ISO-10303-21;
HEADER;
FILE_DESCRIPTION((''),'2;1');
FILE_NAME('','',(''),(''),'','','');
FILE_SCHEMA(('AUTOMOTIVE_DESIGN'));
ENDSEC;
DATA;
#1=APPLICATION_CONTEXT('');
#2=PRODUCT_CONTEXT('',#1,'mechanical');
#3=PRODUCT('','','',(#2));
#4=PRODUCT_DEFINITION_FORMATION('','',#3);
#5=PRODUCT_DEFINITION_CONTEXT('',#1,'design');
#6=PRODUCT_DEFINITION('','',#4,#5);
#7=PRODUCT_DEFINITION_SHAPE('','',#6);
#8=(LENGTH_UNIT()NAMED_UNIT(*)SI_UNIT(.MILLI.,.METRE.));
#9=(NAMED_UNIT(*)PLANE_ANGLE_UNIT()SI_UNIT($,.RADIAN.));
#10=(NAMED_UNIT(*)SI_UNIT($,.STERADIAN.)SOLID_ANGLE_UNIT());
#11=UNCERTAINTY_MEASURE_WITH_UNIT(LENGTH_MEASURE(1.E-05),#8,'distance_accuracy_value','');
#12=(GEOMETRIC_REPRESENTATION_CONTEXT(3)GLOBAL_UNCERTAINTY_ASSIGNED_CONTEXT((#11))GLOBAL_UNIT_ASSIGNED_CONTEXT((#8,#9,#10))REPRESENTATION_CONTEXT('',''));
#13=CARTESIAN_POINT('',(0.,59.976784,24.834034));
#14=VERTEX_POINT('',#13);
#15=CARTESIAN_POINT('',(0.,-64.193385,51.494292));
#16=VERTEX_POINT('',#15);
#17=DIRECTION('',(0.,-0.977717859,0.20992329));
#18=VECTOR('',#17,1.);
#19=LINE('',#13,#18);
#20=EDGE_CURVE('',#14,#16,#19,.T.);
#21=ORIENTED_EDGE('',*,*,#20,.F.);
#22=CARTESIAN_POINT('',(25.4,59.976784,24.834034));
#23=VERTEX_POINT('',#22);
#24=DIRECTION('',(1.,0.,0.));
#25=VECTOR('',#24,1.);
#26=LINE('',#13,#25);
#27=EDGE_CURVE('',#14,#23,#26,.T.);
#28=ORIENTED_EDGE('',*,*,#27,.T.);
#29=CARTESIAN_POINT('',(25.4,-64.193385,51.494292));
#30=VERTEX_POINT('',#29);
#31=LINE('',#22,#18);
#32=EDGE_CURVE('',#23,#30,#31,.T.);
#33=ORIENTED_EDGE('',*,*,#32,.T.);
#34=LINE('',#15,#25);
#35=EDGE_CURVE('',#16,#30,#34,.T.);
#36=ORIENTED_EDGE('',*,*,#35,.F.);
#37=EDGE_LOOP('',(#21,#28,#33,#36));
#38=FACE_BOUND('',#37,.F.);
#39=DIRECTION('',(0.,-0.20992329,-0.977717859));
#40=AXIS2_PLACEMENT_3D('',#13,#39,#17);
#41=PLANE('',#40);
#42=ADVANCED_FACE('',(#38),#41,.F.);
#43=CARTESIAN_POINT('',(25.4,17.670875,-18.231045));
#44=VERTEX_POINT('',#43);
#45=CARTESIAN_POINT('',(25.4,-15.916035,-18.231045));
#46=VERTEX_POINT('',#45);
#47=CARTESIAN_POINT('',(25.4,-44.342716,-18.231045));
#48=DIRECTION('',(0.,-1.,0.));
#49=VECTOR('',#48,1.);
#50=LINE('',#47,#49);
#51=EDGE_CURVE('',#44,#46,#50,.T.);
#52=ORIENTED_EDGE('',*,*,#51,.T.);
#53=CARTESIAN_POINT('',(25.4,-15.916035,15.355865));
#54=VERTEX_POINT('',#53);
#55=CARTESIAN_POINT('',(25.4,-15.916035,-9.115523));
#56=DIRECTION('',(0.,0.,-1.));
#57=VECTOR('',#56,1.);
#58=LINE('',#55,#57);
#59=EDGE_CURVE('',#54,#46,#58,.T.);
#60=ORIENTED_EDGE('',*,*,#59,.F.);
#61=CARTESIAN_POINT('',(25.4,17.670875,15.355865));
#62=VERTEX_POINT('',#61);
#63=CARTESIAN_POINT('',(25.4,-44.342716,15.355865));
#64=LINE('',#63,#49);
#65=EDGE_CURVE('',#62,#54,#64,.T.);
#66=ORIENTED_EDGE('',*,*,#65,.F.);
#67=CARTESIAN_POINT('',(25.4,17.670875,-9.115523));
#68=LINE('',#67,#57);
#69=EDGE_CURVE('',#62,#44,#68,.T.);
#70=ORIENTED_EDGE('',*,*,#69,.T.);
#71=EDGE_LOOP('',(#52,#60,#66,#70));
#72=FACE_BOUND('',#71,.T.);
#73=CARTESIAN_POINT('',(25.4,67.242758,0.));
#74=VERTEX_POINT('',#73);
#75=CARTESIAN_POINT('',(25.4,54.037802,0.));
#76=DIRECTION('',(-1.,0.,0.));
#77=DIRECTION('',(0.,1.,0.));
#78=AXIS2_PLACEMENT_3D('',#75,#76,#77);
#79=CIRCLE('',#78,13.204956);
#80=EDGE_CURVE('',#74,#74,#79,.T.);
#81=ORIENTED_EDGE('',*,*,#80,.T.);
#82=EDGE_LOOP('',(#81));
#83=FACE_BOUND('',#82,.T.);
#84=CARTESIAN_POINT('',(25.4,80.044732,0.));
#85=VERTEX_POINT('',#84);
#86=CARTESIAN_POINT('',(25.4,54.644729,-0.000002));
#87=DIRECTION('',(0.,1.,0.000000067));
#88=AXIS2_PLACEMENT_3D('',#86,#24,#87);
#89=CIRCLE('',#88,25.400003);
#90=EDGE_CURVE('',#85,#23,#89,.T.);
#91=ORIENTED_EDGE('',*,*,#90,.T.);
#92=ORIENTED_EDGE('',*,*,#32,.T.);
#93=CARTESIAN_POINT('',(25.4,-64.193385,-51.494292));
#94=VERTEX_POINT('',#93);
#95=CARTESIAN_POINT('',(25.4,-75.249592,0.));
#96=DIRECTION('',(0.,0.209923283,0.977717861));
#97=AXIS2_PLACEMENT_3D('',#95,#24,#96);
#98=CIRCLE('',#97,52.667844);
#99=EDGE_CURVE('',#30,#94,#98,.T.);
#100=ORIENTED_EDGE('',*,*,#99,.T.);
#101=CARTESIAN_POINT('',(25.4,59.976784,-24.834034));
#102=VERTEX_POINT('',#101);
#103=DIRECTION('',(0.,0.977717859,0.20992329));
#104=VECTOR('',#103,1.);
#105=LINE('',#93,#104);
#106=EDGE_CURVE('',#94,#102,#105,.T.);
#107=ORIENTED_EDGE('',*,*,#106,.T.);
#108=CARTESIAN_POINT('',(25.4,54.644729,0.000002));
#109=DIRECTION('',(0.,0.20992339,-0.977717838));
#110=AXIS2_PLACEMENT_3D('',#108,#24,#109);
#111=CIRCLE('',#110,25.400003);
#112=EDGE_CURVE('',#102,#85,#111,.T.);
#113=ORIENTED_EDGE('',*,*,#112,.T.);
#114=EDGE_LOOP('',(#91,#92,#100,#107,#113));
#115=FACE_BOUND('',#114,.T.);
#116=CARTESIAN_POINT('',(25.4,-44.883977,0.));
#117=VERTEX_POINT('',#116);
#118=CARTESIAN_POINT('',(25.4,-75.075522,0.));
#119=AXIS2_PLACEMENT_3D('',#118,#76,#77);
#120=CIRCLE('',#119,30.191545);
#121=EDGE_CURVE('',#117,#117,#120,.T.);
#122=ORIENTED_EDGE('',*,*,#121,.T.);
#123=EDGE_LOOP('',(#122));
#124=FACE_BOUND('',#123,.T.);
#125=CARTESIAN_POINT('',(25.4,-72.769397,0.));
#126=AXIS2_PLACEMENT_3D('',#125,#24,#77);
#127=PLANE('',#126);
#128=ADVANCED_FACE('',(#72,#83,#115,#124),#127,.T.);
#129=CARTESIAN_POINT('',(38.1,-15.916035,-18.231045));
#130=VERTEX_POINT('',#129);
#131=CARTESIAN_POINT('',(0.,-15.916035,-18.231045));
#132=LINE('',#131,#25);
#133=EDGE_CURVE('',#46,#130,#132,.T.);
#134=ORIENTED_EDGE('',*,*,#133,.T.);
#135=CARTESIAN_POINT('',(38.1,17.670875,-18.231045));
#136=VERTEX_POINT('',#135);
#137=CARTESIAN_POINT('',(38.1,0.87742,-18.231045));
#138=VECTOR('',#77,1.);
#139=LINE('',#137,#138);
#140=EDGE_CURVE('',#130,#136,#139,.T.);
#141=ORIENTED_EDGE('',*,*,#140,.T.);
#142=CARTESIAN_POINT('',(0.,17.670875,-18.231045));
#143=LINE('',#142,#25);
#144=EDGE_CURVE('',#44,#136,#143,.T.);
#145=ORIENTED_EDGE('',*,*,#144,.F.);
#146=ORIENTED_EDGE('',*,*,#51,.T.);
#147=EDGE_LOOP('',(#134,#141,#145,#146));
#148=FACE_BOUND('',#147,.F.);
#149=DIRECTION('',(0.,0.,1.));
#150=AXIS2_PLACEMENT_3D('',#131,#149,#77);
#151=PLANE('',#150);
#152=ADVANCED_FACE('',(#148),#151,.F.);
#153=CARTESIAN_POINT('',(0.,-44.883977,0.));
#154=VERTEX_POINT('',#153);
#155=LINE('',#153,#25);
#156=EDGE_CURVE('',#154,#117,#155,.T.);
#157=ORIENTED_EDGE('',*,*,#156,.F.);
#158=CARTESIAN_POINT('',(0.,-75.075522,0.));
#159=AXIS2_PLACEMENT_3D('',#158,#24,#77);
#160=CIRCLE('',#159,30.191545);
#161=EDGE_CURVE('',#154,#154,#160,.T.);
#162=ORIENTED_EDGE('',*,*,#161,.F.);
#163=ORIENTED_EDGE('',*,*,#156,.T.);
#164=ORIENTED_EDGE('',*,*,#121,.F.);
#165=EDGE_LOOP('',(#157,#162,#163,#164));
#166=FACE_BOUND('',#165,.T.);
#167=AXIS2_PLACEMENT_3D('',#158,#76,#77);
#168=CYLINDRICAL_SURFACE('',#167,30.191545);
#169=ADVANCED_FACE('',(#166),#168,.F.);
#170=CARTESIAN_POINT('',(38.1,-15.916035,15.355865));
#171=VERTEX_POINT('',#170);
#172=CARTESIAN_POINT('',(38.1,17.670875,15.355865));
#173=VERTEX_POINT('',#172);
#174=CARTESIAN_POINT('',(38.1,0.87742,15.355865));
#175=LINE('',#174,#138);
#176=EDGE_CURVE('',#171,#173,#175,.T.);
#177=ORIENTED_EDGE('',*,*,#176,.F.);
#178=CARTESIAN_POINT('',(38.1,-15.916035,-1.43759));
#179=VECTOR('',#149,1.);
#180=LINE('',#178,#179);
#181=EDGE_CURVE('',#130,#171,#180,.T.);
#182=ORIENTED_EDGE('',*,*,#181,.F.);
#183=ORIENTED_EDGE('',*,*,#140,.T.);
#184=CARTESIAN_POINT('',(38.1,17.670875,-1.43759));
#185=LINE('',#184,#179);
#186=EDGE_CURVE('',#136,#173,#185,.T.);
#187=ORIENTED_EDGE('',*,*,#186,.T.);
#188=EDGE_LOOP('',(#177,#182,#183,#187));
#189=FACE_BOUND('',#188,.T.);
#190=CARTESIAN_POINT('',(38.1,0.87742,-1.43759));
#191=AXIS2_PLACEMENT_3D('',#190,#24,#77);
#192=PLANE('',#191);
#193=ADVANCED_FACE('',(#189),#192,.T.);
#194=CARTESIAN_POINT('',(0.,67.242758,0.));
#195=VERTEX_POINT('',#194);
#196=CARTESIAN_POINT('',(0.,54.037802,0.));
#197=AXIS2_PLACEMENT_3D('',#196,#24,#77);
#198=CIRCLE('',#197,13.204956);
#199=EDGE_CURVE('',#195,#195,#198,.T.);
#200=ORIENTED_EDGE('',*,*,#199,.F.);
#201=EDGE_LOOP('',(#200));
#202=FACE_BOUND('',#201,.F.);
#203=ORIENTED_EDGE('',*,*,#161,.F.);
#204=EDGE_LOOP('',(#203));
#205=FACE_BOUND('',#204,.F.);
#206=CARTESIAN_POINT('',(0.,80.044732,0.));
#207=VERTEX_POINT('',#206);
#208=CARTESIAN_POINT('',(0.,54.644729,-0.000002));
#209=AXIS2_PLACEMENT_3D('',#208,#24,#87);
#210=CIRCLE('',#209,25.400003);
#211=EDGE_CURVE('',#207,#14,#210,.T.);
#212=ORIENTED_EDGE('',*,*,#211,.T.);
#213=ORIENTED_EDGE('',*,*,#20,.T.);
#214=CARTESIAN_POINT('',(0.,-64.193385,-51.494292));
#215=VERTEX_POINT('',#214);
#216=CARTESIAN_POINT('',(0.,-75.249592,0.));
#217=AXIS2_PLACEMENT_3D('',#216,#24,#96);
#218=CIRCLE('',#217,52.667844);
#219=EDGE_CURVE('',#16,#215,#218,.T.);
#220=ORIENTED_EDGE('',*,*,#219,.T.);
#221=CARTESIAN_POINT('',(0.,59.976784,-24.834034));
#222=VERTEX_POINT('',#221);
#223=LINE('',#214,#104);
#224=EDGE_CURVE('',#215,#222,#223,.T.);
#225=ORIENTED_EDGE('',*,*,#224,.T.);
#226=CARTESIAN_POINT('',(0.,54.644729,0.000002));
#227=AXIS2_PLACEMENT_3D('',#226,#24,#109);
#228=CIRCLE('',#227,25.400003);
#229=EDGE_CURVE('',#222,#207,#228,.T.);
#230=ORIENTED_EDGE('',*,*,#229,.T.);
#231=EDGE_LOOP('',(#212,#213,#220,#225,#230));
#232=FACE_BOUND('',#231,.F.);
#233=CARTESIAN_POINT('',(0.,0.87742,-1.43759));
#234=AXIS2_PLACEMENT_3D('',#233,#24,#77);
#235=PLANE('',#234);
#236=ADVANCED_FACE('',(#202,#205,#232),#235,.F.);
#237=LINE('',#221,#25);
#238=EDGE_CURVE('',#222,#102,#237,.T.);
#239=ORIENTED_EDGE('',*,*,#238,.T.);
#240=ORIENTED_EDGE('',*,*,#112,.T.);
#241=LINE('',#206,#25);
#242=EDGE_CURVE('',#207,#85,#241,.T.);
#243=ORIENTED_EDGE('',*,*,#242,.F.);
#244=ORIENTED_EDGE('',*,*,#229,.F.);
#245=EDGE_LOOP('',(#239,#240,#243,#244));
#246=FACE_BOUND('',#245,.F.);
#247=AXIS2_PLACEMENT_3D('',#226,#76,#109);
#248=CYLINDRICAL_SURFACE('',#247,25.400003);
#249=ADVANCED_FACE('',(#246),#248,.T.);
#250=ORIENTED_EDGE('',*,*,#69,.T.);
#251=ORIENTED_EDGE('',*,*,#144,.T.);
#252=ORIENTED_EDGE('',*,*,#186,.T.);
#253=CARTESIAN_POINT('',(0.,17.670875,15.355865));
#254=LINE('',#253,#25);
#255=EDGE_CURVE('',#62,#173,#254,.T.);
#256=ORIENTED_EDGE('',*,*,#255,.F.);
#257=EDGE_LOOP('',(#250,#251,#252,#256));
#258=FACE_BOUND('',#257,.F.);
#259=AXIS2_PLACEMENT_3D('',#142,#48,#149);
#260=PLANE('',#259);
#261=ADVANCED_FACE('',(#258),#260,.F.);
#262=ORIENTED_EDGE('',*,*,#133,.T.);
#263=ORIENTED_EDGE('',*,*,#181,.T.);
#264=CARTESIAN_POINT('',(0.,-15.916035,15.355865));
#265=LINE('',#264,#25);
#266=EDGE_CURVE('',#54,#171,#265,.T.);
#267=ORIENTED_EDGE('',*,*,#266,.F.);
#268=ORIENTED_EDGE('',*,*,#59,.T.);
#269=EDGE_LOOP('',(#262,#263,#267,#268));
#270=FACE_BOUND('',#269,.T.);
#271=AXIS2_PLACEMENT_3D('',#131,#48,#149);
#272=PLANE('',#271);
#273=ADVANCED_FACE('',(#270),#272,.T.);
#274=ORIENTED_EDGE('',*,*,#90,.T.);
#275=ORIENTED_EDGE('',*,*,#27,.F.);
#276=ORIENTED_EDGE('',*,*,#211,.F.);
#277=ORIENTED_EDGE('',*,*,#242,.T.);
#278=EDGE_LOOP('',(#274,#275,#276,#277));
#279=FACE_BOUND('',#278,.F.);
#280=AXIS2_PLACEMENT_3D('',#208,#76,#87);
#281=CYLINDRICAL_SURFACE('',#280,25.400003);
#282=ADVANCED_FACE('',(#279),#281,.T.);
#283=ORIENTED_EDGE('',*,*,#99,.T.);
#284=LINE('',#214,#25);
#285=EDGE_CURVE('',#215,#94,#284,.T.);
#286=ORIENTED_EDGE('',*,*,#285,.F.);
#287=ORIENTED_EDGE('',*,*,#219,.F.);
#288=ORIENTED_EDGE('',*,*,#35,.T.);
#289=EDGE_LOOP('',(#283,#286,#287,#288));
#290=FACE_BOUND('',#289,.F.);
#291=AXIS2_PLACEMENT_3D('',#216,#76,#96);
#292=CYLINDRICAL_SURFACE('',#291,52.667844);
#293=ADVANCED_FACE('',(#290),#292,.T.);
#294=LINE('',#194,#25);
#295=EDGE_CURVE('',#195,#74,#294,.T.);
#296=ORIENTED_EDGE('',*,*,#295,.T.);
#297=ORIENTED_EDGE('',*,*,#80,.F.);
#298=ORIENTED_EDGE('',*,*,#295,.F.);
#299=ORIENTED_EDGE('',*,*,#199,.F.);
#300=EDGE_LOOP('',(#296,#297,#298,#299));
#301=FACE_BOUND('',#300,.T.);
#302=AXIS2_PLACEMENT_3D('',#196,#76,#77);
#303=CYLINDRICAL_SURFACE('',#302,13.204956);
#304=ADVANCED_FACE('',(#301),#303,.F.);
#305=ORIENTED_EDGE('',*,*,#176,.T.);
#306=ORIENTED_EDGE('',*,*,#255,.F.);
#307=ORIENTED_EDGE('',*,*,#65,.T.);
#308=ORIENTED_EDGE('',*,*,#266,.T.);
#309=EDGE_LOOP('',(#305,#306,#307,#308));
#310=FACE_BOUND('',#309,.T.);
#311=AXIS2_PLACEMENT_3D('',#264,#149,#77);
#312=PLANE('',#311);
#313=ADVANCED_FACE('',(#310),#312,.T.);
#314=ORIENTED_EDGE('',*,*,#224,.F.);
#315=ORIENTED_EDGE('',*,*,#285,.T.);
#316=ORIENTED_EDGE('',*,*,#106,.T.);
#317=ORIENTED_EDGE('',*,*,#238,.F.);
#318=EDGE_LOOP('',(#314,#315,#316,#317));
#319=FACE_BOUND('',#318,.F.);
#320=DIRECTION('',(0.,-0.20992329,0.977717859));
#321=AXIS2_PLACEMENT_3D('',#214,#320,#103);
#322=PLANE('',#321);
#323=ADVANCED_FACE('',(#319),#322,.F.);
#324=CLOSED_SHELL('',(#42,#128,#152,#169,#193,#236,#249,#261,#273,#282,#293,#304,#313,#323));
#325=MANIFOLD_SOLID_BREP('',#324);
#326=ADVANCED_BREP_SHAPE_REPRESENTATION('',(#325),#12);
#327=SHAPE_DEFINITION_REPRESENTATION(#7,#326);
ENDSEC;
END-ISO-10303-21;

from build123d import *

# Parameters (mm, degrees)
F1_DEPTH = 25.4
F2_R     = 30.191545
F2_R_2   = 13.204956
F3_DEPTH = 46.73447
F4_W     = 33.58691
F4_H     = 33.58691
F5_DEPTH = 38.1


with BuildPart() as f1:
    # F0 (on Right) → F1 (new body)
    with BuildSketch(Plane.YZ):
        with BuildLine():
            ThreePointArc((-64.193385, -51.494292), (-34.284922, -33.102834), (-22.581748, 0))
            ThreePointArc((-22.581748, 0), (-34.284922, 33.102834), (-64.193385, 51.494292))
            ThreePointArc((-64.193385, 51.494292), (-127.917436, 0), (-64.193385, -51.494292))
        make_face()
        with BuildLine():
            ThreePointArc((-64.193385, 51.494292), (-34.284922, 33.102834), (-22.581748, 0))
            ThreePointArc((-22.581748, 0), (-34.284922, -33.102834), (-64.193385, -51.494292))
            Line((-64.193385, -51.494292), (59.976784, -24.834034))
            ThreePointArc((59.976784, -24.834034), (29.244732, 0), (59.976784, 24.834034))
            Line((59.976784, 24.834034), (-64.193385, 51.494292))
        make_face()
        with BuildLine():
            ThreePointArc((80.044732, 0), (74.400669, 15.964427), (59.976784, 24.834034))
            ThreePointArc((59.976784, 24.834034), (29.244732, 0), (59.976784, -24.834034))
            ThreePointArc((59.976784, -24.834034), (74.400669, -15.964427), (80.044732, 0))
        make_face()
    extrude(amount=F1_DEPTH)

    # F2 (on Right) → F3 (cut)
    with BuildSketch(Plane.YZ):
        with Locations((-75.075522, 0)):
            Circle(F2_R)
        with Locations((54.037802, 0)):
            Circle(F2_R_2)
    extrude(amount=F3_DEPTH, mode=Mode.SUBTRACT)

    # F4 (on Right) → F5 (join)
    with BuildSketch(Plane.YZ):
        with Locations((0.87742, -1.43759)):
            Rectangle(F4_W, F4_H)
    extrude(amount=F5_DEPTH)


solid = f1.part
